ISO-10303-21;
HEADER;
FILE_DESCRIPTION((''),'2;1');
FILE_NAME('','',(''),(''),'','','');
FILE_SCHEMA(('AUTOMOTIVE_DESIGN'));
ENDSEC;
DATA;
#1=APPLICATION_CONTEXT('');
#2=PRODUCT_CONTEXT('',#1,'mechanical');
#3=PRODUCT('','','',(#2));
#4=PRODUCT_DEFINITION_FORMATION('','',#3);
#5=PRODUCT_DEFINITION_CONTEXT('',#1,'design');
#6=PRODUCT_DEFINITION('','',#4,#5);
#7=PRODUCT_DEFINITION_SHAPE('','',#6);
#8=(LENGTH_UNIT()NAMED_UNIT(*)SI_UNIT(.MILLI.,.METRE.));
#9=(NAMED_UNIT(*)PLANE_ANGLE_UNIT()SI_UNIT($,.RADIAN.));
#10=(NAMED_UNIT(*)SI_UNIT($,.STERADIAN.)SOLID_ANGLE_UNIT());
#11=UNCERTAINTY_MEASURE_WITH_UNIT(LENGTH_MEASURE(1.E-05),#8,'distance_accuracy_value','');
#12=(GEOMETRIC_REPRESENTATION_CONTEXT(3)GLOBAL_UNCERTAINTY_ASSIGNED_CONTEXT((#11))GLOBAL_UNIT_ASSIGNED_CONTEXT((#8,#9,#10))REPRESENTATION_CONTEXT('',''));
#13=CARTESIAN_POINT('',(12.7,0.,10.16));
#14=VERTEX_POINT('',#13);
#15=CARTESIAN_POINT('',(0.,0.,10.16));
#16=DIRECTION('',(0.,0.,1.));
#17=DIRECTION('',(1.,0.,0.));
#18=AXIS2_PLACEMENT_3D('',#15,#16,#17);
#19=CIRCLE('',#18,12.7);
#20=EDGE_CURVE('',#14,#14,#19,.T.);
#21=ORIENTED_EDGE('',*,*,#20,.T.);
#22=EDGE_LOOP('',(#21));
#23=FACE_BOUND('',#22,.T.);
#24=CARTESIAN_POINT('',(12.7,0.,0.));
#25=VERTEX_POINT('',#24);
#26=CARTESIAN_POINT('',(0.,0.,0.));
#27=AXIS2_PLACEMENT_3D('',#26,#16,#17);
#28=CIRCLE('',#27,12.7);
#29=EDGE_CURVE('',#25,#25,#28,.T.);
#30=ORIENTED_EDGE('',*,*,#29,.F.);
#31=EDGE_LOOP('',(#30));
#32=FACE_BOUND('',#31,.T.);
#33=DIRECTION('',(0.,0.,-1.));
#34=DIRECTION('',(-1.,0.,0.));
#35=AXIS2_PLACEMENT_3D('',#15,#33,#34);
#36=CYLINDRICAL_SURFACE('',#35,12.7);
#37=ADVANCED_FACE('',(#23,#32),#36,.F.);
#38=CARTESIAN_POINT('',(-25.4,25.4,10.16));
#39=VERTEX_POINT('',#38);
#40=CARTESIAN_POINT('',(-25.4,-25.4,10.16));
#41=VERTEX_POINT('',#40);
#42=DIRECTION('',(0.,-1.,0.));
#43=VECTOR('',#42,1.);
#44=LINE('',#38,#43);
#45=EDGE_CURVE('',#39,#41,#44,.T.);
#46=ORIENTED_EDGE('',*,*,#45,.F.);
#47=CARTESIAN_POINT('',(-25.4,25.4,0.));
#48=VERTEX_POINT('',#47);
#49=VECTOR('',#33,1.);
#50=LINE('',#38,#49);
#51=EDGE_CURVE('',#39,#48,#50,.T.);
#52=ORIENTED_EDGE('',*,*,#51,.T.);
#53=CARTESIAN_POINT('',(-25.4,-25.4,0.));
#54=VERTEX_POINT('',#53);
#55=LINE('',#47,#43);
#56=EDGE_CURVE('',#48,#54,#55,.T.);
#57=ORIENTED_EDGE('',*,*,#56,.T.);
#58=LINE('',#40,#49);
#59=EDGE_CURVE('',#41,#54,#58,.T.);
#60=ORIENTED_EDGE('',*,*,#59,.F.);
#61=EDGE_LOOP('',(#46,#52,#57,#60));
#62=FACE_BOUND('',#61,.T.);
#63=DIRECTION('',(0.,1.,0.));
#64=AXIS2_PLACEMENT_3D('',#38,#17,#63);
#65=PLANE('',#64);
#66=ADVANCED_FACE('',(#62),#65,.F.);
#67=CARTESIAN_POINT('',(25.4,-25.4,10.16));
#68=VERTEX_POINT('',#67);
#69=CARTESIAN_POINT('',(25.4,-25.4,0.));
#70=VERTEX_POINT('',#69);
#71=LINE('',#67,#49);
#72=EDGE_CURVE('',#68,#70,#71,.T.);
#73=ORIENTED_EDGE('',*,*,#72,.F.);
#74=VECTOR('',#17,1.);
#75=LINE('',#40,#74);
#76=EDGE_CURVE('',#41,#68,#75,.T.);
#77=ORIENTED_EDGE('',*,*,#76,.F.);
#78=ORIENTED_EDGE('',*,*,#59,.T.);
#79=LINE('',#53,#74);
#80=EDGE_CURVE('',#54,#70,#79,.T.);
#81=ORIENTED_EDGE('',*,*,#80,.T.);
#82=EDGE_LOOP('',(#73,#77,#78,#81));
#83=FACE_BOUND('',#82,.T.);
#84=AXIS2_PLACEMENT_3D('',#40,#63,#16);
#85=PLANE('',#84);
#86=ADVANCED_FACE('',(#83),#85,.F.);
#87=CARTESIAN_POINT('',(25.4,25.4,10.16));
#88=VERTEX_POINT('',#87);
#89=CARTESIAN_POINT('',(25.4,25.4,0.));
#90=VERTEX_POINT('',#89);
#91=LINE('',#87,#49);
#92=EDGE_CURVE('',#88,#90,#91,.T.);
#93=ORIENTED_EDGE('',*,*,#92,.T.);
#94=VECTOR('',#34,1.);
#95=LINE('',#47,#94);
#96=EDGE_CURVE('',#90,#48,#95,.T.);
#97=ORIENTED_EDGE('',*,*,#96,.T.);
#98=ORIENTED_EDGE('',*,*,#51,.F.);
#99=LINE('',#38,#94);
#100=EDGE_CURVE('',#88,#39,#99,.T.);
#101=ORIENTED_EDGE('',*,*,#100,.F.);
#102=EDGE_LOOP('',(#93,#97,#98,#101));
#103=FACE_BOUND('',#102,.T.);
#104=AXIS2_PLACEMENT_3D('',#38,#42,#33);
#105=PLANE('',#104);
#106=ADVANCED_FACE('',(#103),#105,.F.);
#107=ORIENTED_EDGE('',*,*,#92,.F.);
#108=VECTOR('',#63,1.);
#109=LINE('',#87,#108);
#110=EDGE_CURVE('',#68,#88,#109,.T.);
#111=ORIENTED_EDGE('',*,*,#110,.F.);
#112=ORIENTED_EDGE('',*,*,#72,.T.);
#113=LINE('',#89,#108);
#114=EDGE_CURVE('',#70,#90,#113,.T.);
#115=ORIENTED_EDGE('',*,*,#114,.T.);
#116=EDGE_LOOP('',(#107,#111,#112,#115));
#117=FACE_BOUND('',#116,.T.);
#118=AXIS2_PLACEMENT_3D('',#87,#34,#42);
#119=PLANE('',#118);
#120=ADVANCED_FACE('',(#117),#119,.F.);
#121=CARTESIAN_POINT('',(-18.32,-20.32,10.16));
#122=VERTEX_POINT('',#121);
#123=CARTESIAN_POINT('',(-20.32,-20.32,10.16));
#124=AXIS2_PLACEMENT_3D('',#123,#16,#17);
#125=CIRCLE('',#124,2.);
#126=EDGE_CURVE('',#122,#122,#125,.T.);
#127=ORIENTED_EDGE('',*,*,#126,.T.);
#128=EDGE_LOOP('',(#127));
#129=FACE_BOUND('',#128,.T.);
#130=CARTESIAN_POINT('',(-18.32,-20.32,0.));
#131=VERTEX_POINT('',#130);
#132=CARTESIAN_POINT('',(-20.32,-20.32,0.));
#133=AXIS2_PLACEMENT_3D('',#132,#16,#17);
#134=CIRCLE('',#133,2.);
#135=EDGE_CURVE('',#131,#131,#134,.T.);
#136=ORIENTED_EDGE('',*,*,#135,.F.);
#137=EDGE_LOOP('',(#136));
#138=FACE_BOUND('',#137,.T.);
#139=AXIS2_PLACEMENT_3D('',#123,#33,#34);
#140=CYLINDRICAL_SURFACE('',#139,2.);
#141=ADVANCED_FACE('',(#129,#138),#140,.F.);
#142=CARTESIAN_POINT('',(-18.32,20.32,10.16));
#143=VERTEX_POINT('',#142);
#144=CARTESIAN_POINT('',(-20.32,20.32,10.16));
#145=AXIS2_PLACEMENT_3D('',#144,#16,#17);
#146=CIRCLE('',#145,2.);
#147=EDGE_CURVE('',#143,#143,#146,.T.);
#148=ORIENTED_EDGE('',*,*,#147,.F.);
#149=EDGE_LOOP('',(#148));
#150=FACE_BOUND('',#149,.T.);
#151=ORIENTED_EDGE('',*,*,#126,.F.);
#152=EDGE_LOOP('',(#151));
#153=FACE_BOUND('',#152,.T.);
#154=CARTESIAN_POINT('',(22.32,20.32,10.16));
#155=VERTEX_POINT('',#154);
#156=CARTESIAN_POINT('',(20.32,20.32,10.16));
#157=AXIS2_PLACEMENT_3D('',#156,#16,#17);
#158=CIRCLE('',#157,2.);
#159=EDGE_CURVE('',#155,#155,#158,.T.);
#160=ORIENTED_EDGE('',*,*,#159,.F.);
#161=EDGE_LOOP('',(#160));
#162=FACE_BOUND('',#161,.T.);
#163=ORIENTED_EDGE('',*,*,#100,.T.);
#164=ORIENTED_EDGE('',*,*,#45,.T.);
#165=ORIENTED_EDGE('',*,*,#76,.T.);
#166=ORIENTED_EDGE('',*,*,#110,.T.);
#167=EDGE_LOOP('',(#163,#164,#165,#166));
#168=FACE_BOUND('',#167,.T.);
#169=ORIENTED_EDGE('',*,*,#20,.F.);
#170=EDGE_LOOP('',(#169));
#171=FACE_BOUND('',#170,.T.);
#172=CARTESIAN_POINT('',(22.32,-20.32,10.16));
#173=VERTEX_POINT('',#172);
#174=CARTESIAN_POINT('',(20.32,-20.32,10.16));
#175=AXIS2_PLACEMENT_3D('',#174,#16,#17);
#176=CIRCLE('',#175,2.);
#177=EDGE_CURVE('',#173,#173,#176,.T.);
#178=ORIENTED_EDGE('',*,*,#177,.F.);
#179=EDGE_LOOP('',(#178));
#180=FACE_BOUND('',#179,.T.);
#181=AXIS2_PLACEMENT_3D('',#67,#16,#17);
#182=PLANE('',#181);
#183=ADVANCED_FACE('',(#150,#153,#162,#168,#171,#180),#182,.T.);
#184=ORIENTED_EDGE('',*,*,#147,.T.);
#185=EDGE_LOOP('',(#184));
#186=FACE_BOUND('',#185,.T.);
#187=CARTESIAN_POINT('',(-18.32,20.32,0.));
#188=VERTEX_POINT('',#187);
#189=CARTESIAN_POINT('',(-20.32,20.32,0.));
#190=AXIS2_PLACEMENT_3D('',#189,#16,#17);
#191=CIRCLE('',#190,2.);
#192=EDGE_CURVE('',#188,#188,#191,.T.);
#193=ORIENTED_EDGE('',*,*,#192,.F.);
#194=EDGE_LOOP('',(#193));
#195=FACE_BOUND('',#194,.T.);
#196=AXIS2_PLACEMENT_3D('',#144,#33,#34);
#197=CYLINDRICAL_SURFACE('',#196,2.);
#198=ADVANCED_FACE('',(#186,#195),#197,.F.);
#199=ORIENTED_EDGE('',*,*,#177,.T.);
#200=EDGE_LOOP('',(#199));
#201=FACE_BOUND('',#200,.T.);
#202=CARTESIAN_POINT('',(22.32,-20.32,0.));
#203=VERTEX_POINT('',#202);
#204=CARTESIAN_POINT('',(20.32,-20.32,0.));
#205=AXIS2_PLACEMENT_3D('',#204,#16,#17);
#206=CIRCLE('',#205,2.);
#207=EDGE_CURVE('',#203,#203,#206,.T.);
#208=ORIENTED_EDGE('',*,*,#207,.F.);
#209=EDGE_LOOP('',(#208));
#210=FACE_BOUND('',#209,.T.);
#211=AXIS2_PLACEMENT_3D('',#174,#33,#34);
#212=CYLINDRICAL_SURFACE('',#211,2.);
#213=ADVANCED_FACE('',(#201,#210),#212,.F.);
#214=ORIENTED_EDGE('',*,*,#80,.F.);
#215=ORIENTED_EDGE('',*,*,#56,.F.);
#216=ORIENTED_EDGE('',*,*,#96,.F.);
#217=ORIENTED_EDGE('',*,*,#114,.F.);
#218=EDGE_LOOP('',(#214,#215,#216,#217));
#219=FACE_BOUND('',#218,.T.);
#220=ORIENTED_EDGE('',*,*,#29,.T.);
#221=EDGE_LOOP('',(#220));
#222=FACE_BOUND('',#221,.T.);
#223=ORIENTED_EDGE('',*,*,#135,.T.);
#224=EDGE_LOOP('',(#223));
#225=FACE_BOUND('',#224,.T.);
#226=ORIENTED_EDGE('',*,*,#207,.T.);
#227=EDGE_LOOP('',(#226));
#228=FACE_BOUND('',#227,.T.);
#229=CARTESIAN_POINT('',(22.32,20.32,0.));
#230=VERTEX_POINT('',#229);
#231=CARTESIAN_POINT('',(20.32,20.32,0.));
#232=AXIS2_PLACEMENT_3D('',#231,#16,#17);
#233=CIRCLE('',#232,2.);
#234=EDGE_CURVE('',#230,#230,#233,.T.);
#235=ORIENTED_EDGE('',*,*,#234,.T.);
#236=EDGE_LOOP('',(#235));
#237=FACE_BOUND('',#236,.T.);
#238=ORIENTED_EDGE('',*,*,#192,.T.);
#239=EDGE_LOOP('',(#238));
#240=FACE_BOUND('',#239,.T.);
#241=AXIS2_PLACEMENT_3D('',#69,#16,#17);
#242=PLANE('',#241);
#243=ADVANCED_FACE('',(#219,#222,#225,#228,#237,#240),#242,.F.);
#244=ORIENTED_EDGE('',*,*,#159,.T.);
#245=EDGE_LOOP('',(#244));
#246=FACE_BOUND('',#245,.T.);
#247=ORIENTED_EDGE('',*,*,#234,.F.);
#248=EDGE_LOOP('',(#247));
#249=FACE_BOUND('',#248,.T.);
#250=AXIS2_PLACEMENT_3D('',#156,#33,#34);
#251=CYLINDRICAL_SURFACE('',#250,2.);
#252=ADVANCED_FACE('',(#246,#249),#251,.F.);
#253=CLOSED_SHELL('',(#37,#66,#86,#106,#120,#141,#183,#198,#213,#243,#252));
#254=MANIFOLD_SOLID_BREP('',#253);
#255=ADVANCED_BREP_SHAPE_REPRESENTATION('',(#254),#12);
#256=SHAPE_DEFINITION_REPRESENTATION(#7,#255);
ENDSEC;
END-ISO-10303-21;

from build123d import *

# Parameters (mm, degrees)
SKETCH1_W           = 50.8
SKETCH1_H           = 50.8
SKETCH1_R           = 2
SKETCH1_R_2         = 12.7
BOSS_EXTRUDE1_DEPTH = 10.16


with BuildPart() as part:
    # Sketch1 → Boss-Extrude1 (new body)
    with BuildSketch(Plane.XY):
        Rectangle(SKETCH1_W, SKETCH1_H)
        with Locations((-20.32, 20.32)):
            Circle(SKETCH1_R, mode=Mode.SUBTRACT)
        with Locations((20.32, 20.32)):
            Circle(SKETCH1_R, mode=Mode.SUBTRACT)
        with Locations((20.32, -20.32)):
            Circle(SKETCH1_R, mode=Mode.SUBTRACT)
        with Locations((-20.32, -20.32)):
            Circle(SKETCH1_R, mode=Mode.SUBTRACT)
        Circle(SKETCH1_R_2, mode=Mode.SUBTRACT)
    extrude(amount=BOSS_EXTRUDE1_DEPTH)


solid = part.part
